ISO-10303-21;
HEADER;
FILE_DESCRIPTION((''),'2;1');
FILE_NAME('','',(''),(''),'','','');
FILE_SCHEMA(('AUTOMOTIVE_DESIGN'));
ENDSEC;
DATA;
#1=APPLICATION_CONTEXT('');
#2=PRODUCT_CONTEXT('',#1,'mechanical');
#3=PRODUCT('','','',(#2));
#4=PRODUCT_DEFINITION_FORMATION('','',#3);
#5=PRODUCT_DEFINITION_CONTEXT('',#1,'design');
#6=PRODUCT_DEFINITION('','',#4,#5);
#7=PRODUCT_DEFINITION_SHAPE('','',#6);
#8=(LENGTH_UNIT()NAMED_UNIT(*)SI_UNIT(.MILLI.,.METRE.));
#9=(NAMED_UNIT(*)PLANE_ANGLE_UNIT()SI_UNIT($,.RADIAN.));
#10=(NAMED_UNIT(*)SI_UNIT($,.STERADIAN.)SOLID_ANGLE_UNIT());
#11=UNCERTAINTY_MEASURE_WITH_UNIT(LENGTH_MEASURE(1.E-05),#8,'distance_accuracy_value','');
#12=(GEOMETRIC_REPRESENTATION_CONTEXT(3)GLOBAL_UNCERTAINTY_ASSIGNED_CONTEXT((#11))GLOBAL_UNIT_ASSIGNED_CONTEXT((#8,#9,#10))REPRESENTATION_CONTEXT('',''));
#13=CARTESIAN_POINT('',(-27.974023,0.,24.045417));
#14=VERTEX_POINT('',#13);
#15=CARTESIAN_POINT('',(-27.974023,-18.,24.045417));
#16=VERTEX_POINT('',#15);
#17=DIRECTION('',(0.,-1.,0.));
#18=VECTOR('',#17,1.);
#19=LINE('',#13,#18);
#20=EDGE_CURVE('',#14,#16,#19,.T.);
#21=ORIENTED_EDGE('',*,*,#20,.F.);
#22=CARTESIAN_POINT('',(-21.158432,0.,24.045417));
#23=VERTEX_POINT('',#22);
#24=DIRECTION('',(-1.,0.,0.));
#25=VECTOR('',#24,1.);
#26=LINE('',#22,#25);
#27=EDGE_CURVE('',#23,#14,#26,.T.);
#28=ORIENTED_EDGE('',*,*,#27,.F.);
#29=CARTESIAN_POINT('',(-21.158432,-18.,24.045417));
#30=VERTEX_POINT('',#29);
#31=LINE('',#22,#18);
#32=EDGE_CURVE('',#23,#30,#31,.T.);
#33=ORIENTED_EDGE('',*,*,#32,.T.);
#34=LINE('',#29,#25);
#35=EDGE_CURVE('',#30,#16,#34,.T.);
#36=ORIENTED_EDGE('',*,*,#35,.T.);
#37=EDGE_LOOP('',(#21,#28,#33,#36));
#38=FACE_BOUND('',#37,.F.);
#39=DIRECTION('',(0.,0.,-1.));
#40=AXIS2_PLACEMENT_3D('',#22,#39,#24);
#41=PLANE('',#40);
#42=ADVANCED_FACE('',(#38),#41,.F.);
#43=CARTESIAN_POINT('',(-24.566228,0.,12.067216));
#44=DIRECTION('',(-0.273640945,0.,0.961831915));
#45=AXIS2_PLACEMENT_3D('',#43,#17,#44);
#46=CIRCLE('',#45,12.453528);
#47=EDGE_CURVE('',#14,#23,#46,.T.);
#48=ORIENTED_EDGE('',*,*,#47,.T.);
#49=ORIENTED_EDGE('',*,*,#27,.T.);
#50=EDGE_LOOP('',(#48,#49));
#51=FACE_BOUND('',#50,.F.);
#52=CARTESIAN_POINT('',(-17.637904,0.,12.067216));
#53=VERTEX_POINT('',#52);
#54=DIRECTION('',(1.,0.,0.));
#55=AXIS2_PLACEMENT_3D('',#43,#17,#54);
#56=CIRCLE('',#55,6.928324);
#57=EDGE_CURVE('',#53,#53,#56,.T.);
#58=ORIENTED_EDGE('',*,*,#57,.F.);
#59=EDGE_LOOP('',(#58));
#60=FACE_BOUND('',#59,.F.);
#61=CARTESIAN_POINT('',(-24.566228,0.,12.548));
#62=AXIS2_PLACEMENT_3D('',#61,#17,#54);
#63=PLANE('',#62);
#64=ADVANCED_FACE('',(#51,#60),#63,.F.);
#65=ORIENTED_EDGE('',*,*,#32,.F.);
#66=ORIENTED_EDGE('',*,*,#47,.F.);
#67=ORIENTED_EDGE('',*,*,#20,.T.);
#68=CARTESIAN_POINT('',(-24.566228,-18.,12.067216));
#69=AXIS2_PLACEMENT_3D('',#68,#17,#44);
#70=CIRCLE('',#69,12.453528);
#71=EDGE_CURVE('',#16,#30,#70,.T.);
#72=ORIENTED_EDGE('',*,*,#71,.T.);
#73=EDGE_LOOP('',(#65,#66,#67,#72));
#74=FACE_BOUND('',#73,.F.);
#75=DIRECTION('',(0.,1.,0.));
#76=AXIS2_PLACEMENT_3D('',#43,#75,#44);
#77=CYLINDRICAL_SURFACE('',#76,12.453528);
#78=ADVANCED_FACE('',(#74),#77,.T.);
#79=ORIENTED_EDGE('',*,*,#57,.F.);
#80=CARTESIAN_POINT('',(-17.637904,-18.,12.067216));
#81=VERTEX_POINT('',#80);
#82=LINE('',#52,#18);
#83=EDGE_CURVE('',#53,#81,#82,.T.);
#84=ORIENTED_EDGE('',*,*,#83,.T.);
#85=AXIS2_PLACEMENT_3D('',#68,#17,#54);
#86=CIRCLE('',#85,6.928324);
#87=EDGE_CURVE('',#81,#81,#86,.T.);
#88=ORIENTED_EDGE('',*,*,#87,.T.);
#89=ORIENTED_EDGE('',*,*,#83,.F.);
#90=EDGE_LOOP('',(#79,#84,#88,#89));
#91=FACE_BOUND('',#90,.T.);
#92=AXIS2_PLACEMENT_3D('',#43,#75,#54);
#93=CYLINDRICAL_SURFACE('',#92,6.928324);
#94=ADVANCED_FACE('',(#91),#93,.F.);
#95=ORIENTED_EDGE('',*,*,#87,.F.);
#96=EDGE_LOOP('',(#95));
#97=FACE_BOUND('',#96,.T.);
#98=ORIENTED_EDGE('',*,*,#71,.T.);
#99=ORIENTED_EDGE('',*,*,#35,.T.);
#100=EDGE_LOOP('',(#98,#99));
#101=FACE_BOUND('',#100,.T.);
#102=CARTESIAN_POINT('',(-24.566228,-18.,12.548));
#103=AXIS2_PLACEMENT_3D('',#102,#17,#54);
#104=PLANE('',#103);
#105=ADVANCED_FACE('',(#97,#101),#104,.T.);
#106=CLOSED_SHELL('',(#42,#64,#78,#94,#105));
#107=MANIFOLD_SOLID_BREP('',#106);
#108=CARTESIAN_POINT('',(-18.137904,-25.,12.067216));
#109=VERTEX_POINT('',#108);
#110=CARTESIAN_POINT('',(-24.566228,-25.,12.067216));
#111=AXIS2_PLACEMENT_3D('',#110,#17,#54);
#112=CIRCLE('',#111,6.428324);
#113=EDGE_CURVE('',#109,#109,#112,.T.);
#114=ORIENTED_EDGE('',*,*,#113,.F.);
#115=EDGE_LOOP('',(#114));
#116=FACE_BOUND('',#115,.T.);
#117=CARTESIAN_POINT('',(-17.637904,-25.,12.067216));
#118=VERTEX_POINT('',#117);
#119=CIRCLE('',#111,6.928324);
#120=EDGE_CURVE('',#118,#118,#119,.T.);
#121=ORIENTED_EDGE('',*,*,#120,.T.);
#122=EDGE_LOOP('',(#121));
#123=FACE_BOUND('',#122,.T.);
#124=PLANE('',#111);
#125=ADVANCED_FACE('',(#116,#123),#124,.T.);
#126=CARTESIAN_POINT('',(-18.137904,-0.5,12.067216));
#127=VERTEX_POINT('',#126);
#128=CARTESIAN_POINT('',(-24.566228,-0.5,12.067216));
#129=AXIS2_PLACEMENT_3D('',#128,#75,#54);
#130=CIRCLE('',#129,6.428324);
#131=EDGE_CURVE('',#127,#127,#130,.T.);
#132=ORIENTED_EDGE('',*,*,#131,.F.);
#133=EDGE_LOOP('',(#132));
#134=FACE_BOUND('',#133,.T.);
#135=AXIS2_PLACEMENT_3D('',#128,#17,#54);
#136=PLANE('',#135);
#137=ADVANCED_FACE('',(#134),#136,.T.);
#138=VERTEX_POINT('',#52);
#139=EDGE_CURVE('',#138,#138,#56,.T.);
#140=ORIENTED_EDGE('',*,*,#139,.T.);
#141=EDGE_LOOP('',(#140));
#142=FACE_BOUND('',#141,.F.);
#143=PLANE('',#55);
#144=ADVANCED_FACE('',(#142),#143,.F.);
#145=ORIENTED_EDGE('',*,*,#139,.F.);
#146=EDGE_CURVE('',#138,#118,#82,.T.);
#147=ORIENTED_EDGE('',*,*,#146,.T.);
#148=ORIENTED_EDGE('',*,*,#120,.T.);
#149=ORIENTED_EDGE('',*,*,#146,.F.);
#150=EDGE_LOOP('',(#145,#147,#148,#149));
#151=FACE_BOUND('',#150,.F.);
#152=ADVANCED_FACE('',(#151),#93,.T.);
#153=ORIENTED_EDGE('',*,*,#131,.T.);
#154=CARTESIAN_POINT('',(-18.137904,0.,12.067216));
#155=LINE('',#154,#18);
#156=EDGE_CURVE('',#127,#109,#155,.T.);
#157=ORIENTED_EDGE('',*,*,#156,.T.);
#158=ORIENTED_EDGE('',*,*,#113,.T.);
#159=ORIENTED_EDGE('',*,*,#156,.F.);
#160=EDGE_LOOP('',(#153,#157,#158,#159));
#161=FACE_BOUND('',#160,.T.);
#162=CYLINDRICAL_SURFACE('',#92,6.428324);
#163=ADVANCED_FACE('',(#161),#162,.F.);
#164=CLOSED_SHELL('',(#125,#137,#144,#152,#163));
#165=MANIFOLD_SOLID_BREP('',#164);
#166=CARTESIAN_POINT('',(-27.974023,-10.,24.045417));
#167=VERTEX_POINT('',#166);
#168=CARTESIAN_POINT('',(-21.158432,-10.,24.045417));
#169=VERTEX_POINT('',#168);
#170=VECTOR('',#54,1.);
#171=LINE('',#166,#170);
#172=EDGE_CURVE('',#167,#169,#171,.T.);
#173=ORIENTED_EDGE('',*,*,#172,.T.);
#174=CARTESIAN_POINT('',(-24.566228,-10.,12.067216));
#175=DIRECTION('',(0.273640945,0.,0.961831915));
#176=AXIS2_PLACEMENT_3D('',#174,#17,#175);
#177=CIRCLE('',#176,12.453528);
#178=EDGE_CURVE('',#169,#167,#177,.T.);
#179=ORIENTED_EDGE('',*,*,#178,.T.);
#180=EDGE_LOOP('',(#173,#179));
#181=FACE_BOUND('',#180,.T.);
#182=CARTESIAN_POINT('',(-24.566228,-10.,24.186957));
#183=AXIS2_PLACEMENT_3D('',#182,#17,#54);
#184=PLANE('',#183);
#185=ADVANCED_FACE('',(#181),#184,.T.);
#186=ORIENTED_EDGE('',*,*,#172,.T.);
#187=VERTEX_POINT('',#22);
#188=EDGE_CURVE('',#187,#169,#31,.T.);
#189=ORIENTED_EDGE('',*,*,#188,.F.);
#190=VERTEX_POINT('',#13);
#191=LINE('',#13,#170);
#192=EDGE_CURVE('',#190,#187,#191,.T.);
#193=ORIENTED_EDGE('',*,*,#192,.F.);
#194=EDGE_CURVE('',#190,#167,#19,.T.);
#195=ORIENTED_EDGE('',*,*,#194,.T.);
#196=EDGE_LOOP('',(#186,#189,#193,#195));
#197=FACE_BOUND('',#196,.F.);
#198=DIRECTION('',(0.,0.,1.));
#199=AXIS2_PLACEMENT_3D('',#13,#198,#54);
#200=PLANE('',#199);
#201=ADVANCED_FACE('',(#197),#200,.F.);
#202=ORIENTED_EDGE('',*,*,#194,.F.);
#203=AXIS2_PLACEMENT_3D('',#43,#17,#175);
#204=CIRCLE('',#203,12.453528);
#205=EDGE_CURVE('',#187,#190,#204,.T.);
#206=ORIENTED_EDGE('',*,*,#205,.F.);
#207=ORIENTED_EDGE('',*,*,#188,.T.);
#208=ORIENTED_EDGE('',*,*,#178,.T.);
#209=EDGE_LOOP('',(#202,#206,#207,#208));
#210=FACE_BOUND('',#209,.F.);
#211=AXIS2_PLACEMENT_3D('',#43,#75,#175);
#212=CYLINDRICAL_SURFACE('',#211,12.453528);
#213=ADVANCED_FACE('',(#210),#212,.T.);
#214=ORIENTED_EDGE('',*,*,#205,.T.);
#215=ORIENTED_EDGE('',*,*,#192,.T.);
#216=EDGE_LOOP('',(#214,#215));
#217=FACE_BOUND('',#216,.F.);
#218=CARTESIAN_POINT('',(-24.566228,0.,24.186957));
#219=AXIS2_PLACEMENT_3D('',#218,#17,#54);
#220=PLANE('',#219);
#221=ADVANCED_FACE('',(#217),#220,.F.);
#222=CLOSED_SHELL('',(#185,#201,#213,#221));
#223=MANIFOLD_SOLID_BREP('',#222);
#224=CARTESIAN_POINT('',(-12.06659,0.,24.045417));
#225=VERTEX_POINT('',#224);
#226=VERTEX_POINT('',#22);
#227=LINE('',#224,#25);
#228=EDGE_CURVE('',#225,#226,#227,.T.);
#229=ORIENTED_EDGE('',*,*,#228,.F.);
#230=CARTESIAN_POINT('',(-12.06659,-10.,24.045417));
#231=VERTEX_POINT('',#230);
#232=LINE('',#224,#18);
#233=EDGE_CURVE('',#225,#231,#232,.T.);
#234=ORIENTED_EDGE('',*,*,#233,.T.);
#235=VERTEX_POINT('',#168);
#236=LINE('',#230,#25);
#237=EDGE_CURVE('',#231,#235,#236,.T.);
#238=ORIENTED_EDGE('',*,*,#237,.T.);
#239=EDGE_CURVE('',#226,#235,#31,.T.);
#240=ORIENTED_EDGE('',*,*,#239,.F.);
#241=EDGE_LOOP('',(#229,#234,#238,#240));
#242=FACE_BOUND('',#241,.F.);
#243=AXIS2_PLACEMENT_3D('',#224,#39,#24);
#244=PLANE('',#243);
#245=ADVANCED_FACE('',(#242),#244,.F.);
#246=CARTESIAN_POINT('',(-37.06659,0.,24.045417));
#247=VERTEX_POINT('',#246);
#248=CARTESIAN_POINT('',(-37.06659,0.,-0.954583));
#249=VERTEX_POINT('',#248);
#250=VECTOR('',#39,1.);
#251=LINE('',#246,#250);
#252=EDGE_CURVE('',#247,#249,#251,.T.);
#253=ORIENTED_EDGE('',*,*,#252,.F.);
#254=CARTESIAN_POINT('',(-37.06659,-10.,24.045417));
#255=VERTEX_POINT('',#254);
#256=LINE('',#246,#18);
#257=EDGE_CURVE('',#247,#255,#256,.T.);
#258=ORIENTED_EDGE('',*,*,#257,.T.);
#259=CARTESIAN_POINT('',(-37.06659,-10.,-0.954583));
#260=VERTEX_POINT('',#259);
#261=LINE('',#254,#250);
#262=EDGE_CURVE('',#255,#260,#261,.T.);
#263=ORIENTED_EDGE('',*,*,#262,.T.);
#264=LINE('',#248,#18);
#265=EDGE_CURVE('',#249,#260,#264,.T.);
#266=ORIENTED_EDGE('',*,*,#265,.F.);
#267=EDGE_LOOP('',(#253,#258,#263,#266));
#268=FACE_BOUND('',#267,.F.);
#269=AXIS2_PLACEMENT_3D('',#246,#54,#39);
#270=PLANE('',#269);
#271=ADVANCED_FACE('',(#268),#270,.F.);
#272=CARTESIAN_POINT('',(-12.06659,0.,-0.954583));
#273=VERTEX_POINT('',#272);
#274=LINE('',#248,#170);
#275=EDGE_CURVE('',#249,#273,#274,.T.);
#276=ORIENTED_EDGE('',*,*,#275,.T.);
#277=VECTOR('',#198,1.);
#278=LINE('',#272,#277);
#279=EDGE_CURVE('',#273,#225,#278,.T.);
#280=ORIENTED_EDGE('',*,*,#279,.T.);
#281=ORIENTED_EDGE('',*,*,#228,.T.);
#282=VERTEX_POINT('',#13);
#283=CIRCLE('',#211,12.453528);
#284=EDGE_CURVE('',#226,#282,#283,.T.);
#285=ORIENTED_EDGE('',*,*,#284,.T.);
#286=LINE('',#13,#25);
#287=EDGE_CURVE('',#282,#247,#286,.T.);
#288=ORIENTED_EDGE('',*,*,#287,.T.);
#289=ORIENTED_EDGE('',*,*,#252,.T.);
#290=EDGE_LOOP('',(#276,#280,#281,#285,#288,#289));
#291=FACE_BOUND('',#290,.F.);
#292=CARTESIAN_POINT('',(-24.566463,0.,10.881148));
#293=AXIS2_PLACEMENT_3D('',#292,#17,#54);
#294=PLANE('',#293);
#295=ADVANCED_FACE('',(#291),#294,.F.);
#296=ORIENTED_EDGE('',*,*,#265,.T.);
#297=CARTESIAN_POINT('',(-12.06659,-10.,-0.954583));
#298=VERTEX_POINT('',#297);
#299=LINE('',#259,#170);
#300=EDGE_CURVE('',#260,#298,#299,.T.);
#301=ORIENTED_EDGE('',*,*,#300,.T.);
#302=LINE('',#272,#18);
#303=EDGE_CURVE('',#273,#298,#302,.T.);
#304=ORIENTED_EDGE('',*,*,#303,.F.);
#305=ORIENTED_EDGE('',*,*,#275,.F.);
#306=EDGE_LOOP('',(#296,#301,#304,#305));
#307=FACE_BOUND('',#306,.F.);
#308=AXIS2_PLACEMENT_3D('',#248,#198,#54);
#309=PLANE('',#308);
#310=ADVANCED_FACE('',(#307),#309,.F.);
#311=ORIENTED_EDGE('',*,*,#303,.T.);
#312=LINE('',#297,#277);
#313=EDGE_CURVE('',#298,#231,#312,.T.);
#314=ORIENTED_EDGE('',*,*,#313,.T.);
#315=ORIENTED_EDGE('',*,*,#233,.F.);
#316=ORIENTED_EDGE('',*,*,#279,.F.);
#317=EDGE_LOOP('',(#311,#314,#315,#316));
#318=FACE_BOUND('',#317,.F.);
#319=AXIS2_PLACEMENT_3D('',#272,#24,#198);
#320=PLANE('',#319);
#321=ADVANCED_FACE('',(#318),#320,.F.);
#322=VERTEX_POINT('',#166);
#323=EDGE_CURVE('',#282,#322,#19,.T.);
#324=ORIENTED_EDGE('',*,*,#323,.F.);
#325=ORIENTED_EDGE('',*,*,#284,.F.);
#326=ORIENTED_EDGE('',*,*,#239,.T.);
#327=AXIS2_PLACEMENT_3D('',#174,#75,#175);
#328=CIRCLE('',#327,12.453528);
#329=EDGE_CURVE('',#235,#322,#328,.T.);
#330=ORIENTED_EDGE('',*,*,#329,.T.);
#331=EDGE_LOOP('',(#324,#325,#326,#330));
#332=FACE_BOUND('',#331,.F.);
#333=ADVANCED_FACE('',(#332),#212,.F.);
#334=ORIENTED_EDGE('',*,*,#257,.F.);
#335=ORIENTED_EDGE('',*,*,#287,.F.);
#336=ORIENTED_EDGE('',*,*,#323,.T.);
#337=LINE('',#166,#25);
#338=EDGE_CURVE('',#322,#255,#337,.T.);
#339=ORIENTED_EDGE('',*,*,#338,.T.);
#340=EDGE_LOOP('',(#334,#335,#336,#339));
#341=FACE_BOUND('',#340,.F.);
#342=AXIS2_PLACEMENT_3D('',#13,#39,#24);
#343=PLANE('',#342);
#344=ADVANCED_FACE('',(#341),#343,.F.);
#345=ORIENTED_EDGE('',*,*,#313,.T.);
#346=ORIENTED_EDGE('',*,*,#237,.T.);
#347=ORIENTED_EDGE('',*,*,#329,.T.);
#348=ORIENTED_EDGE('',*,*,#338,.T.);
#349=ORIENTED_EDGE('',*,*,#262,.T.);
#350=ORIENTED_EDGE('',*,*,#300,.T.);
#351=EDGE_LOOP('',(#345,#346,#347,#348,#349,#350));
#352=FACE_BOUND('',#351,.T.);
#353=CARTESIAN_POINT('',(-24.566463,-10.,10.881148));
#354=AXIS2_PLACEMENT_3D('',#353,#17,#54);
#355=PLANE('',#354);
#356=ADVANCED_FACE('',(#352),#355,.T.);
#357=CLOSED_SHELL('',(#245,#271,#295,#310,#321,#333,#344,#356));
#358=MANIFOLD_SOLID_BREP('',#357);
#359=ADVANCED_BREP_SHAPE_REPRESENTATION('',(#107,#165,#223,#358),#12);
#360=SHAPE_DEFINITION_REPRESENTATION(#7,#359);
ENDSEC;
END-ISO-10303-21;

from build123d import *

# Parameters (mm, degrees)
F1_DEPTH = 10
F0_R     = 6.9283238466
F2_DEPTH = 25
F3_DEPTH = 18
F4_T     = -0.5


with BuildPart() as f1:
    # F0 (on Front) → F1 (new body)
    with BuildSketch(Plane.XZ):
        with BuildLine():
            Line((-37.0665900409, -0.9545833454), (-12.0665900409, -0.9545833454))
            Line((-12.0665900409, -0.9545833454), (-12.0665900409, 24.0454166546))
            Line((-12.0665900409, 24.0454166546), (-21.1584322736, 24.0454166546))
            ThreePointArc((-21.1584322736, 24.0454166546), (-14.6281833208, 19.5722570073), (-12.1126991035, 12.0672155172))
            ThreePointArc((-12.1126991035, 12.0672155172), (-32.0712690603, 2.1291712678), (-27.9740228668, 24.0454166546))
            Line((-27.9740228668, 24.0454166546), (-37.0665900409, 24.0454166546))
            Line((-37.0665900409, 24.0454166546), (-37.0665900409, -0.9545833454))
        make_face()
    extrude(amount=F1_DEPTH)


with BuildPart() as f1b:
    # F0 (on Front) → F1, piece 2 (new body)
    with BuildSketch(Plane.XZ):
        with BuildLine():
            Line((-27.9740228668, 24.0454166546), (-21.1584322736, 24.0454166546))
            ThreePointArc((-21.1584322736, 24.0454166546), (-24.5662275702, 24.5207439839), (-27.9740228668, 24.0454166546))
        make_face()
    extrude(amount=F1_DEPTH)


with BuildPart() as f2:
    # F0 (on Front) → F2 (new body)
    with BuildSketch(Plane.XZ):
        with Locations((-24.5662275702, 12.0672155172)):
            Circle(F0_R)
    extrude(amount=F2_DEPTH)

    # F4
    f4_openings = [f2.faces().sort_by_distance(p)[0] for p in [
        (-24.566228, -25, 12.067216),
    ]]
    offset(amount=F4_T, openings=f4_openings)


with BuildPart() as f3:
    # F0 (on Front) → F3 (new body)
    with BuildSketch(Plane.XZ):
        with BuildLine():
            ThreePointArc((-12.1126991035, 12.0672155172), (-14.6281833208, 19.5722570073), (-21.1584322736, 24.0454166546))
            Line((-21.1584322736, 24.0454166546), (-27.9740228668, 24.0454166546))
            ThreePointArc((-27.9740228668, 24.0454166546), (-32.0712690603, 2.1291712678), (-12.1126991035, 12.0672155172))
        make_face()
        with Locations((-24.5662275702, 12.0672155172)):
            Circle(F0_R, mode=Mode.SUBTRACT)
    extrude(amount=F3_DEPTH)


solid = Compound([f1.part, f1b.part, f2.part, f3.part])
